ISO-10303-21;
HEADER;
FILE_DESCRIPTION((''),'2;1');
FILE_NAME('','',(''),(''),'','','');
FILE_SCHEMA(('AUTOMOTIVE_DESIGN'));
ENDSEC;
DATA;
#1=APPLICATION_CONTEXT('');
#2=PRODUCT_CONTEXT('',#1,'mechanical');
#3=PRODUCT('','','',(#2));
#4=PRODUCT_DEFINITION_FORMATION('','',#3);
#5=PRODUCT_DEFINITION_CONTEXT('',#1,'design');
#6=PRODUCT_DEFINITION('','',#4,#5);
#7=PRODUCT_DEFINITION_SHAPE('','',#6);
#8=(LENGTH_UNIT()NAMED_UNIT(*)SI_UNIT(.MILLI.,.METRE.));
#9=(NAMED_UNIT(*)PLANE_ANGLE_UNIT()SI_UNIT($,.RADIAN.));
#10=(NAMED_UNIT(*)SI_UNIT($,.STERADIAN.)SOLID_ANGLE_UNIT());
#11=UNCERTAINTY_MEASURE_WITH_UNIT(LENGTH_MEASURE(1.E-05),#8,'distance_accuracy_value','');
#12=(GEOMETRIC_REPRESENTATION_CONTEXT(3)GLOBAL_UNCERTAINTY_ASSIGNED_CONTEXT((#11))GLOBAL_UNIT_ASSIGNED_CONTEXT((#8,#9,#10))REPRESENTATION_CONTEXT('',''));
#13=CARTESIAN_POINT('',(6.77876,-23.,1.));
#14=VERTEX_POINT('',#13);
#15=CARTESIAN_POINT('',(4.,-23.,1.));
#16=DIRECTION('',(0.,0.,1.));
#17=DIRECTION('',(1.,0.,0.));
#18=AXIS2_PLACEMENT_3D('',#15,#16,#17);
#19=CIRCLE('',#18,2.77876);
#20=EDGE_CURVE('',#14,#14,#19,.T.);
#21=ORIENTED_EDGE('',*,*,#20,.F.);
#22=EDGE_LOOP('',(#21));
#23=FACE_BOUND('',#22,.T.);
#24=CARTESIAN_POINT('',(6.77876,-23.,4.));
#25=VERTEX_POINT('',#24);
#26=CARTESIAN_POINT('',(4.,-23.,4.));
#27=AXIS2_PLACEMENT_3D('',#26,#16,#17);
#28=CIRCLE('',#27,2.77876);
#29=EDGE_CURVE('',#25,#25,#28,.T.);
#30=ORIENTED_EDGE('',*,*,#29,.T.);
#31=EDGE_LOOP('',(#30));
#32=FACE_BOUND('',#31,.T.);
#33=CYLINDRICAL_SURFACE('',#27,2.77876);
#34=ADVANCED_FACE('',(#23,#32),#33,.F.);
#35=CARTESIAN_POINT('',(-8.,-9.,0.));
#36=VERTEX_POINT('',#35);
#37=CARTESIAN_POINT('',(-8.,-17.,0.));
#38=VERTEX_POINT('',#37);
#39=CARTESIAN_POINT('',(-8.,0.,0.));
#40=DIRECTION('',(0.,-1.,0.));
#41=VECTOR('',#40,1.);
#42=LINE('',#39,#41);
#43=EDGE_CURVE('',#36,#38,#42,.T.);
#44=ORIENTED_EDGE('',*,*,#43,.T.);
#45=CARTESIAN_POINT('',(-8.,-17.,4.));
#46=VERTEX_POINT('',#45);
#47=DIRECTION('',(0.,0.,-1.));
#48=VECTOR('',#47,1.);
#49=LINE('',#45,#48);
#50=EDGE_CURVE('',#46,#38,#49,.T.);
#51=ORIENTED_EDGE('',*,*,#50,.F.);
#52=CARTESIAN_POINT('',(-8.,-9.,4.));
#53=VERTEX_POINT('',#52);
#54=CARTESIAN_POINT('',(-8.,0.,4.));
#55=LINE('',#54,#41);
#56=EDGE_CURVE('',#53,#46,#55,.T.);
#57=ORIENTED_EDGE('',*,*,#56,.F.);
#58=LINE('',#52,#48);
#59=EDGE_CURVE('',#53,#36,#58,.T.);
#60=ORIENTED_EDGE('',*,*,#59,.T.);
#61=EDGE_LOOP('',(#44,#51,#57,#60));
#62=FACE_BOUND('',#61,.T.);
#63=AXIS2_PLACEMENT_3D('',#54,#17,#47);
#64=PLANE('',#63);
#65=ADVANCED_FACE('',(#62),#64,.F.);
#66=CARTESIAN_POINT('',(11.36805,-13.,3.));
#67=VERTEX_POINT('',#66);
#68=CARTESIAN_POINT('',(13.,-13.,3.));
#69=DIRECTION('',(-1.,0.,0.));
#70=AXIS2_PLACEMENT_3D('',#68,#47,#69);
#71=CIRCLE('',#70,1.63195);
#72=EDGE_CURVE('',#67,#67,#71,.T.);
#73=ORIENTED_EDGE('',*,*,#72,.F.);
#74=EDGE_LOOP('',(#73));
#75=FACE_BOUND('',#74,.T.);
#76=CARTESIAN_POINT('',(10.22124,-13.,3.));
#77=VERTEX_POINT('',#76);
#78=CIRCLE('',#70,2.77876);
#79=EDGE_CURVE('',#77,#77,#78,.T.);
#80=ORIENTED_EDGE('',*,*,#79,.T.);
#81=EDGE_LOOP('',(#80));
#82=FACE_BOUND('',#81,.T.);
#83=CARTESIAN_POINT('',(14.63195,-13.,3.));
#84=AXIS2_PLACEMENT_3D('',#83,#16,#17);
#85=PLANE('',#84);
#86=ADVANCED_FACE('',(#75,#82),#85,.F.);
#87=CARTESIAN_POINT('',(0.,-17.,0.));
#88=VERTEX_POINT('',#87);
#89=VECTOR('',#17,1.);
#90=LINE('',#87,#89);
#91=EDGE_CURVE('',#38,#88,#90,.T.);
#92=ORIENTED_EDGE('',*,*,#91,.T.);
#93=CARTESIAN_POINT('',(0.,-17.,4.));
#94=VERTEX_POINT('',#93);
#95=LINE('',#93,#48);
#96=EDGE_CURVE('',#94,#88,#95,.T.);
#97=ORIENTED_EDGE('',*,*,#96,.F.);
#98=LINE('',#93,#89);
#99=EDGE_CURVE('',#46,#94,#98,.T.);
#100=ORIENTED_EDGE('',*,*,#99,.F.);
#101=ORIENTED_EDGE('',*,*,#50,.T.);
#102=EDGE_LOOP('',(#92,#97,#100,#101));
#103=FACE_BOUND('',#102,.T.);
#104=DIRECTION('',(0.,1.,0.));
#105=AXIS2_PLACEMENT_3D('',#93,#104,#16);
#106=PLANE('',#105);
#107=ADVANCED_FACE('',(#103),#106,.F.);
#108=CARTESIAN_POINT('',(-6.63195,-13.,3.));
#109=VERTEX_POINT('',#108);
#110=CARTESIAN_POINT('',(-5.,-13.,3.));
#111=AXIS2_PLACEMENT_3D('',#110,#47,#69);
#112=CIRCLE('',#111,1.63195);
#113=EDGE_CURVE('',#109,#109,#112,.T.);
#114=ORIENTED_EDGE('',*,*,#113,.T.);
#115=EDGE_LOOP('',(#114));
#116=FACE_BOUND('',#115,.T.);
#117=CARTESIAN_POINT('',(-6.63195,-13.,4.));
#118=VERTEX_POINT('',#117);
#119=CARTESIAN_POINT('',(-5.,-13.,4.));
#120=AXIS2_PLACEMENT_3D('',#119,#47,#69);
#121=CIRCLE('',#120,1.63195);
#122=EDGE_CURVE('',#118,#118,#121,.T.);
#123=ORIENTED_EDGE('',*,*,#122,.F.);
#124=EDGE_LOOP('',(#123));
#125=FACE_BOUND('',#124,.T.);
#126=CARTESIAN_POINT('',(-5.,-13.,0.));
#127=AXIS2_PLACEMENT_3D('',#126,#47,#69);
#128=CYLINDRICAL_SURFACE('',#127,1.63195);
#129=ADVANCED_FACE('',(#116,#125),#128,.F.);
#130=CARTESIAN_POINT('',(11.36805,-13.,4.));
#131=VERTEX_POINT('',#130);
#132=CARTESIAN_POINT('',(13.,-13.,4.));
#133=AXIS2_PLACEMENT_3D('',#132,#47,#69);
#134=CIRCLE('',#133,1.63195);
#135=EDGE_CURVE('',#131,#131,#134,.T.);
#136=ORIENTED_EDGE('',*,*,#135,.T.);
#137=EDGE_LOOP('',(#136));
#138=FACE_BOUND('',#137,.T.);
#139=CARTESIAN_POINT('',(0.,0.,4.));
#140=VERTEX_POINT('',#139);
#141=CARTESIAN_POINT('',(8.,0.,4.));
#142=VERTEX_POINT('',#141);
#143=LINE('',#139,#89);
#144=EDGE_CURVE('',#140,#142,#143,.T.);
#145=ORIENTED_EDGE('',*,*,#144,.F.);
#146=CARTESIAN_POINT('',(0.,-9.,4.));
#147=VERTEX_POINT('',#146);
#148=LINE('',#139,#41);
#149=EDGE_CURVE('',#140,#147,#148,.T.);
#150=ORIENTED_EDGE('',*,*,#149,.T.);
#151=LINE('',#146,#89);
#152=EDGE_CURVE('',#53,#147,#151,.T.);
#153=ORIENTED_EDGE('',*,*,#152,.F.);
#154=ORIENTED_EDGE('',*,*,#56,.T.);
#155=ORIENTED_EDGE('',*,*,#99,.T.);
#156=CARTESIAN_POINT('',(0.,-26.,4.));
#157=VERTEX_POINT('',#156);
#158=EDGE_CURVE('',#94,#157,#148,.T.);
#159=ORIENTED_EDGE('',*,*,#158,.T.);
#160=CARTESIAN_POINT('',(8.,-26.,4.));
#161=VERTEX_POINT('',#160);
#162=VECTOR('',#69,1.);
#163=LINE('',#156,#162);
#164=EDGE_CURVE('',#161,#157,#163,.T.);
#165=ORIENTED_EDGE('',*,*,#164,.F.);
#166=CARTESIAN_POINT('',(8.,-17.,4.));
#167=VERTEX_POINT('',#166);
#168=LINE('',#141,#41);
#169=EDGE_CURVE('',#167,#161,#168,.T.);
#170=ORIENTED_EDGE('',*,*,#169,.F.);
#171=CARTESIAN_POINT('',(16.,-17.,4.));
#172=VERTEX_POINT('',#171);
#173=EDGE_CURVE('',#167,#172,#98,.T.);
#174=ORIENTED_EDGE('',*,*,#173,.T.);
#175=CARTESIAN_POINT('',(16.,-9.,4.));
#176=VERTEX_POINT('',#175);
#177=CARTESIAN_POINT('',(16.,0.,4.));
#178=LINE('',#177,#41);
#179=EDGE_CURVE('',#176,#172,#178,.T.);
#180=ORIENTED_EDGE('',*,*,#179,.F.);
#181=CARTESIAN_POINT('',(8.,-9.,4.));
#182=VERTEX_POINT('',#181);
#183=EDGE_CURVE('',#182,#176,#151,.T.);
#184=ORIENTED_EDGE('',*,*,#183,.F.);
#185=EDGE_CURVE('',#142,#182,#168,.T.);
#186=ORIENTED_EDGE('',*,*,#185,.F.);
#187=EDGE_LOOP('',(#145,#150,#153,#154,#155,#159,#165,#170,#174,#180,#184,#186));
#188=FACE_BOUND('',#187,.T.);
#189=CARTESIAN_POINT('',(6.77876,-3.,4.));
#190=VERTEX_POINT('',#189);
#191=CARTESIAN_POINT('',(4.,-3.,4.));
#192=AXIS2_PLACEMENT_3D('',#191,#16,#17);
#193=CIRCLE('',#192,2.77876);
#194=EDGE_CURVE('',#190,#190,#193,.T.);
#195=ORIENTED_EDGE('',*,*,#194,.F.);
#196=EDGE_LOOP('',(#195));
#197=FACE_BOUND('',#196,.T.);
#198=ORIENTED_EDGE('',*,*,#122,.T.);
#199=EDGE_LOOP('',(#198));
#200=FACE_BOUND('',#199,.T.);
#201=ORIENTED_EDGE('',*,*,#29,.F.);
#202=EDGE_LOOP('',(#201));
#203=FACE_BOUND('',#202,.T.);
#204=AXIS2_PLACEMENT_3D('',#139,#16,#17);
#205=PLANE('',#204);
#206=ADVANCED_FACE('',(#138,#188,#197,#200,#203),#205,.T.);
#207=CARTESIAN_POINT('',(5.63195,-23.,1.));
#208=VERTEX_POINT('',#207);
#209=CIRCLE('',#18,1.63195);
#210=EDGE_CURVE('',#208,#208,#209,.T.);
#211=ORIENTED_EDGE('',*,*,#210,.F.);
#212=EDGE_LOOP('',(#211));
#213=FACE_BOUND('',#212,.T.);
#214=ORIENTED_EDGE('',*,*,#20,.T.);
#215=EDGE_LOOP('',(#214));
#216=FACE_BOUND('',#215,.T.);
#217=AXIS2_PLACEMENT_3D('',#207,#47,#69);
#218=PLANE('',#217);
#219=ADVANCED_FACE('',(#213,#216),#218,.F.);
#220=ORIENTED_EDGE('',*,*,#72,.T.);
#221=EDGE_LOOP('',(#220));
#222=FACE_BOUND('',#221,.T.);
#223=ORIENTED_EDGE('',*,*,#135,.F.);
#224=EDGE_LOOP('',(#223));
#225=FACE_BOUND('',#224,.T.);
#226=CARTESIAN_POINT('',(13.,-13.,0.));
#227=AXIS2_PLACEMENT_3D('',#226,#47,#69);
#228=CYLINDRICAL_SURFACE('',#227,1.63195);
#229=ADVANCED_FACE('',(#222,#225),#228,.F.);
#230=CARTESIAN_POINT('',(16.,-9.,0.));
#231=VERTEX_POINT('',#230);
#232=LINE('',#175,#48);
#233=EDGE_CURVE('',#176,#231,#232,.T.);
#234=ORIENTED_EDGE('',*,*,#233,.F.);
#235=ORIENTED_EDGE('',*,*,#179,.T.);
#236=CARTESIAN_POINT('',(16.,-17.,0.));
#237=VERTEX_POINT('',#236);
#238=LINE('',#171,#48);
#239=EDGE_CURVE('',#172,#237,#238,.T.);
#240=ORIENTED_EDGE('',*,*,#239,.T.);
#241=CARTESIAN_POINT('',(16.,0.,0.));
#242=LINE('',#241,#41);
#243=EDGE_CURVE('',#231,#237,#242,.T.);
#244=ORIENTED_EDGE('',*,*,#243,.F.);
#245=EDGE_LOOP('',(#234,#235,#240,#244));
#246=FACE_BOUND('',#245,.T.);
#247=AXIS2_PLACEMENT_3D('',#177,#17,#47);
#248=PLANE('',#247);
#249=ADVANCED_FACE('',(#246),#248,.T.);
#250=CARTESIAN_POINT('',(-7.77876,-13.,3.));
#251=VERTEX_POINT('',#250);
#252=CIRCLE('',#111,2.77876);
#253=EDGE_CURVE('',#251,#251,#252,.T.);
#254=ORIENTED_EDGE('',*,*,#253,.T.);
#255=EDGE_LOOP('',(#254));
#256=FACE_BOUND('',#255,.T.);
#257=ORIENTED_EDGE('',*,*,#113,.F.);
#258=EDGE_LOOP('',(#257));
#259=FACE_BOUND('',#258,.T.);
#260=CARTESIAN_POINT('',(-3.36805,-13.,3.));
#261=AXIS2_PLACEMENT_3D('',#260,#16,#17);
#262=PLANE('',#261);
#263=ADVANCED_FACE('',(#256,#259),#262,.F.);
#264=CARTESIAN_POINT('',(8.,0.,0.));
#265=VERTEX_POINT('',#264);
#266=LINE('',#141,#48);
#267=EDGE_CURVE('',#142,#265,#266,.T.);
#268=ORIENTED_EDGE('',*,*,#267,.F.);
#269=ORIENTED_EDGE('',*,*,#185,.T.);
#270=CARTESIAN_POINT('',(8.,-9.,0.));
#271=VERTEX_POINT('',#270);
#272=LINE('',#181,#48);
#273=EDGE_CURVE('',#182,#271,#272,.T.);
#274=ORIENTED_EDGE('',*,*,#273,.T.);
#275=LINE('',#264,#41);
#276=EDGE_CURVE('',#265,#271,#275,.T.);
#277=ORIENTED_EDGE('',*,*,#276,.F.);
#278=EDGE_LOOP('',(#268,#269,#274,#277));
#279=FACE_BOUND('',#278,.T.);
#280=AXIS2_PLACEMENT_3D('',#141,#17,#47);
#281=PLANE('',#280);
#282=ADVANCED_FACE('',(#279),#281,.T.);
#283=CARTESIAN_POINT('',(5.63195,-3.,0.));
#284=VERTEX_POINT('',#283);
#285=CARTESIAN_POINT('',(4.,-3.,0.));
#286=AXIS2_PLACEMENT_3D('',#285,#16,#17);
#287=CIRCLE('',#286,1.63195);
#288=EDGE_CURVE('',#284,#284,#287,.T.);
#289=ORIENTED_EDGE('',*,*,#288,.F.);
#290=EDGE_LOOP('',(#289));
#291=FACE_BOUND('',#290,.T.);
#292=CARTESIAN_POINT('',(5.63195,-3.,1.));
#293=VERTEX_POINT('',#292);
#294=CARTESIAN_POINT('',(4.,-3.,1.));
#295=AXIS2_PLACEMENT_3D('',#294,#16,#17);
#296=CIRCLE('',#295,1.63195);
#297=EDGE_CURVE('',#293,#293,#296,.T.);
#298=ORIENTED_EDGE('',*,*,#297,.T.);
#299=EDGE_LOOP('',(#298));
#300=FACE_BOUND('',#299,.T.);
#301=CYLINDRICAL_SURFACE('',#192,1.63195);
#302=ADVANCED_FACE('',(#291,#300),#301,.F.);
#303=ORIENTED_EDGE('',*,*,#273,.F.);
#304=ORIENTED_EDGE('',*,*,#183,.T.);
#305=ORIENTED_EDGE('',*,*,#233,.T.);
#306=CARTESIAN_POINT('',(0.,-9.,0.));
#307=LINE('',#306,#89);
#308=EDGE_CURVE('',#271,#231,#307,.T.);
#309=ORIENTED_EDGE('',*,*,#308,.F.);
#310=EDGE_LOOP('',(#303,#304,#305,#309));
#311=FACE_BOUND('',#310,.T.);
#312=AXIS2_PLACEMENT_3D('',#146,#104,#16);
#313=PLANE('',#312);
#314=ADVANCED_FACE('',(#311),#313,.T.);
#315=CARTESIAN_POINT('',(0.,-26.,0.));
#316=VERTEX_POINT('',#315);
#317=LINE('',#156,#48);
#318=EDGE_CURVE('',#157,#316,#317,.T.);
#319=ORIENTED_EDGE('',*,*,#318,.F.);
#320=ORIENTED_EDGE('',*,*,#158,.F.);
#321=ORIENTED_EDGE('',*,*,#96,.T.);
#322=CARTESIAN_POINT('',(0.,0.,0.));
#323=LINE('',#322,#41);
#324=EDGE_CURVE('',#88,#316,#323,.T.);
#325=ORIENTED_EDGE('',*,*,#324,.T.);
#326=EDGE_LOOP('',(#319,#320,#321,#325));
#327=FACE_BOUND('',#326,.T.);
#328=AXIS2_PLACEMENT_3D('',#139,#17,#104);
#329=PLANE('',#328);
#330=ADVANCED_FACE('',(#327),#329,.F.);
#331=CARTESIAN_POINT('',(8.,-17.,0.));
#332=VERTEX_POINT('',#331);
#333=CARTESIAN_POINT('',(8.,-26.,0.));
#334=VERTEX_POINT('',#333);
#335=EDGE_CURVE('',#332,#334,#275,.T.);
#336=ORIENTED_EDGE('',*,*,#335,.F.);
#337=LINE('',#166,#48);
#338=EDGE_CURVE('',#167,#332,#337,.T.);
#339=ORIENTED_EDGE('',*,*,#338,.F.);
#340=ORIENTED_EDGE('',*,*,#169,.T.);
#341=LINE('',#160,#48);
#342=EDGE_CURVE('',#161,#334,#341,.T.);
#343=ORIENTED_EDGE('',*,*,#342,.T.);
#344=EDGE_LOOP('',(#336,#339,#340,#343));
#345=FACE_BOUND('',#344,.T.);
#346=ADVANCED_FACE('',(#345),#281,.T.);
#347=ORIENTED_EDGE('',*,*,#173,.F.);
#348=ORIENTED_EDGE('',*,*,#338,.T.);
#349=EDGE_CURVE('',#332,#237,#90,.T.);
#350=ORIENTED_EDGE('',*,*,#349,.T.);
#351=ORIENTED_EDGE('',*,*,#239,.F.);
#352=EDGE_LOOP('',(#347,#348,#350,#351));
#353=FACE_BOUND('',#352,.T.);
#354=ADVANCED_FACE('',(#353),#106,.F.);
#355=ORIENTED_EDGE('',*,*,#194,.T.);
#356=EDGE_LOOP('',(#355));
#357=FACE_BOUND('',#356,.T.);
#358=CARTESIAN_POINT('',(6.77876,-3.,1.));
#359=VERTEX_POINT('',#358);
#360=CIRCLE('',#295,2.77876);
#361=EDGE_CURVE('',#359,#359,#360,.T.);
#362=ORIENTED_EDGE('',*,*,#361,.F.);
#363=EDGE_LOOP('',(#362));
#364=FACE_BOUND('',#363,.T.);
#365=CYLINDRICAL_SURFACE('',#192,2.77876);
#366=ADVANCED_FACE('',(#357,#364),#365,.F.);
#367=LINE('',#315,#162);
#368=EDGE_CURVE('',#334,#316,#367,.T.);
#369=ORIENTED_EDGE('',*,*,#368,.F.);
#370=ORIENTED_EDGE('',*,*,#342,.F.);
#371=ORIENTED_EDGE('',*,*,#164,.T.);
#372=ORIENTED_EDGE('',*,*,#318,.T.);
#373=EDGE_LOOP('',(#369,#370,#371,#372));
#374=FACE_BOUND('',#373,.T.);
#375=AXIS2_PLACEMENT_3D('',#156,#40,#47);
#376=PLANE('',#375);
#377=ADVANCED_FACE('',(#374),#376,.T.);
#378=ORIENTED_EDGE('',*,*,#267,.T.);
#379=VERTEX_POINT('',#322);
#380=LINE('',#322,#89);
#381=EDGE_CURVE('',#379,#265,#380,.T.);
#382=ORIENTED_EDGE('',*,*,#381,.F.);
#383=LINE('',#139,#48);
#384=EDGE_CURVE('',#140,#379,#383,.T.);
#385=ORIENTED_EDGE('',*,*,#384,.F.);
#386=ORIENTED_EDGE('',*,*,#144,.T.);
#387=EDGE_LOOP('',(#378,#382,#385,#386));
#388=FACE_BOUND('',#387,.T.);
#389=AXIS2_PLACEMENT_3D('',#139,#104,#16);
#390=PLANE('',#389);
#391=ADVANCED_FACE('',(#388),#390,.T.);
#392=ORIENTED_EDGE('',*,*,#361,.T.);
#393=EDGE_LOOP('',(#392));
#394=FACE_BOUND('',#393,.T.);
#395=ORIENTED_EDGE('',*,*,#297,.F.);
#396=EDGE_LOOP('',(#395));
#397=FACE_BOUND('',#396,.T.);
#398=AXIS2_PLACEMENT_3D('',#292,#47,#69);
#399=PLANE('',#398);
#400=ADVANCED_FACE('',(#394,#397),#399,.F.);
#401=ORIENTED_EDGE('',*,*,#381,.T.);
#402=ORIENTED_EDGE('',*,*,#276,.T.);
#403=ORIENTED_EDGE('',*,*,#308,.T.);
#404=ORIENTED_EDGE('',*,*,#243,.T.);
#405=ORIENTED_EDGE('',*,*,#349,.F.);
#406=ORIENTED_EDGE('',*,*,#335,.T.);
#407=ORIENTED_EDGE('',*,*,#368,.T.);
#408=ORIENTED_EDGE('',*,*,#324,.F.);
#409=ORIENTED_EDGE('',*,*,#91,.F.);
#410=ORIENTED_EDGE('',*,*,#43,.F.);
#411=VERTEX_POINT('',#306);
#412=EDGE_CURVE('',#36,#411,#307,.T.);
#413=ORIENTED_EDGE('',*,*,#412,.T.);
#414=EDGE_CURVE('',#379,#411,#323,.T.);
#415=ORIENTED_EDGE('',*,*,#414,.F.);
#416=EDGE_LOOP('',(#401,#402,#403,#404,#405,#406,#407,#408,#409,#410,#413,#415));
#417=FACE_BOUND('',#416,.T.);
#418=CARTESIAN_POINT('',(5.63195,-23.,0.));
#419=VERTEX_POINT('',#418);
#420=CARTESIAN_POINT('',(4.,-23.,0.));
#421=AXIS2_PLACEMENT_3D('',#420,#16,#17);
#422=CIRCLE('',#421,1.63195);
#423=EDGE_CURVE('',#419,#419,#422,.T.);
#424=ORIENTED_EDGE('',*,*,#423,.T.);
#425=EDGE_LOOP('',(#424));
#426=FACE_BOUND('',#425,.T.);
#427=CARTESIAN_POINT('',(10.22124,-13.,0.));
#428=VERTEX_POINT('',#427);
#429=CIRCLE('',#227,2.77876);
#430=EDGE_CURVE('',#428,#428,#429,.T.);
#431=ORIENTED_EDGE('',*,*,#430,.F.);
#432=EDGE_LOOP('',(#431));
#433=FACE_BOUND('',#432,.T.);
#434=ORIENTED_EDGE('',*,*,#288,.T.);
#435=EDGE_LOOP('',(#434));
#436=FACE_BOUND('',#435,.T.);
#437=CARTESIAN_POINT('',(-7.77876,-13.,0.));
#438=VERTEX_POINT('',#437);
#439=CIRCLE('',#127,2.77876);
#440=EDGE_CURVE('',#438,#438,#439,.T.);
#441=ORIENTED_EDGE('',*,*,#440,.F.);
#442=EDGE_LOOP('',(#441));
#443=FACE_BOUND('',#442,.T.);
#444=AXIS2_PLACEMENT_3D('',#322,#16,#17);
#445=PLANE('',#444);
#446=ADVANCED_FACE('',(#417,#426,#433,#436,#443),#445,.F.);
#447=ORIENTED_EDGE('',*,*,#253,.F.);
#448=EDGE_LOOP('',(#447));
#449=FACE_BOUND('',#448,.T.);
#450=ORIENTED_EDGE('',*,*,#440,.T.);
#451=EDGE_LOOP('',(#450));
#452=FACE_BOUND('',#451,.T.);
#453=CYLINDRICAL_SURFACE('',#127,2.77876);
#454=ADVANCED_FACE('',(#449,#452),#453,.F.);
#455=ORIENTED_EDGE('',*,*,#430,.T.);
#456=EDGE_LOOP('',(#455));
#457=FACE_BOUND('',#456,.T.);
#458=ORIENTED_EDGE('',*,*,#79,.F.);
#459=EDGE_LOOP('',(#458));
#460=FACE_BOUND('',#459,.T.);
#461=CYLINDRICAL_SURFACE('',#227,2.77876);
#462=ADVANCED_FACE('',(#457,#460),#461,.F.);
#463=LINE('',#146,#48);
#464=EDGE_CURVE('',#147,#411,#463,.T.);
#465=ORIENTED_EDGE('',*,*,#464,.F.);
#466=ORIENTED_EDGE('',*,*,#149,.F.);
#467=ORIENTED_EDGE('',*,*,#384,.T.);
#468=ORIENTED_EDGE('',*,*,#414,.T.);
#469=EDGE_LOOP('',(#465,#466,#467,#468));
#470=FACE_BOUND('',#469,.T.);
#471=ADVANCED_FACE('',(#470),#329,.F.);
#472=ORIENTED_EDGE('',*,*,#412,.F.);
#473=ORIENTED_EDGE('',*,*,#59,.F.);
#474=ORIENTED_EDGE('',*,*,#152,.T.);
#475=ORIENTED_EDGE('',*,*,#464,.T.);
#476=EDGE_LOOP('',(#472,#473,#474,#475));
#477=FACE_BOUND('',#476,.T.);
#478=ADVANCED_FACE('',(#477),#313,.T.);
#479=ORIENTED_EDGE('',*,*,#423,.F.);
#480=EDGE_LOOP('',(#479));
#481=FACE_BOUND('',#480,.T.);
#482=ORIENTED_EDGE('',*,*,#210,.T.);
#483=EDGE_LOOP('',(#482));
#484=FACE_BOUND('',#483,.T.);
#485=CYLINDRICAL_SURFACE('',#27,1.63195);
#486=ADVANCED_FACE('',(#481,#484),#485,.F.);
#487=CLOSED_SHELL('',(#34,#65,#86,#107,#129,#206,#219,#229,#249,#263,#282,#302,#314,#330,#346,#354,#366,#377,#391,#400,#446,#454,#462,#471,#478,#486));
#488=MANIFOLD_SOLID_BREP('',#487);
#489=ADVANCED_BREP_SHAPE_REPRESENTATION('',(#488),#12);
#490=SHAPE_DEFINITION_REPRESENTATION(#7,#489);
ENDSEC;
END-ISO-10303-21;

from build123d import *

# Parameters (mm, degrees)
SKETCH3_W                                      = 8
SKETCH3_H                                      = 26
SKETCH3_R                                      = 1
SKETCH3_W_2                                    = 24
SKETCH3_H_2                                    = 8
BOSS_EXTRUDE1_DEPTH                            = 4
CBORE_FOR_4_SOCKET_HEAD_CAP_SCREW2_D           = 3.2639
CBORE_FOR_4_SOCKET_HEAD_CAP_SCREW2_CBORE_D     = 5.55752
CBORE_FOR_4_SOCKET_HEAD_CAP_SCREW2_CBORE_DEPTH = 3.000000096
CBORE_FOR_4_SOCKET_HEAD_CAP_SCREW3_D           = 3.2639
CBORE_FOR_4_SOCKET_HEAD_CAP_SCREW3_CBORE_D     = 5.55752
CBORE_FOR_4_SOCKET_HEAD_CAP_SCREW3_CBORE_DEPTH = 3.000000096


with BuildPart() as part:
    # Sketch3 → Boss-Extrude1 (new body)
    # profile 1 of 2: a face of its own
    with BuildSketch(Plane.XY):
        with Locations((4, -13)):
            Rectangle(SKETCH3_W, SKETCH3_H)
        with Locations((4, -3)):
            Circle(SKETCH3_R, mode=Mode.SUBTRACT)
        with Locations((4, -23)):
            Circle(SKETCH3_R, mode=Mode.SUBTRACT)
    # profile 2 of 2: a face of its own
    with BuildSketch(Plane.XY):
        with Locations((4, -13)):
            Rectangle(SKETCH3_W_2, SKETCH3_H_2)
        with Locations((-5, -13)):
            Circle(SKETCH3_R, mode=Mode.SUBTRACT)
        with Locations((13, -13)):
            Circle(SKETCH3_R, mode=Mode.SUBTRACT)
    extrude(amount=BOSS_EXTRUDE1_DEPTH)

    # CBORE for #4 Socket Head Cap Screw2 (through all)
    with Locations(Plane(origin=(4, -3, 4), x_dir=(1, 0, 0), z_dir=(0, 0, 1))):
        with Locations((0, 0), (0, -20)):
            CounterBoreHole(CBORE_FOR_4_SOCKET_HEAD_CAP_SCREW2_D / 2, CBORE_FOR_4_SOCKET_HEAD_CAP_SCREW2_CBORE_D / 2, CBORE_FOR_4_SOCKET_HEAD_CAP_SCREW2_CBORE_DEPTH)

    # CBORE for #4 Socket Head Cap Screw3 (through all)
    with Locations(Plane(origin=(13, -13, 0), x_dir=(-1, 0, 0), z_dir=(0, 0, -1))):
        with Locations((0, 0), (18, 0)):
            CounterBoreHole(CBORE_FOR_4_SOCKET_HEAD_CAP_SCREW3_D / 2, CBORE_FOR_4_SOCKET_HEAD_CAP_SCREW3_CBORE_D / 2, CBORE_FOR_4_SOCKET_HEAD_CAP_SCREW3_CBORE_DEPTH)


solid = part.part
